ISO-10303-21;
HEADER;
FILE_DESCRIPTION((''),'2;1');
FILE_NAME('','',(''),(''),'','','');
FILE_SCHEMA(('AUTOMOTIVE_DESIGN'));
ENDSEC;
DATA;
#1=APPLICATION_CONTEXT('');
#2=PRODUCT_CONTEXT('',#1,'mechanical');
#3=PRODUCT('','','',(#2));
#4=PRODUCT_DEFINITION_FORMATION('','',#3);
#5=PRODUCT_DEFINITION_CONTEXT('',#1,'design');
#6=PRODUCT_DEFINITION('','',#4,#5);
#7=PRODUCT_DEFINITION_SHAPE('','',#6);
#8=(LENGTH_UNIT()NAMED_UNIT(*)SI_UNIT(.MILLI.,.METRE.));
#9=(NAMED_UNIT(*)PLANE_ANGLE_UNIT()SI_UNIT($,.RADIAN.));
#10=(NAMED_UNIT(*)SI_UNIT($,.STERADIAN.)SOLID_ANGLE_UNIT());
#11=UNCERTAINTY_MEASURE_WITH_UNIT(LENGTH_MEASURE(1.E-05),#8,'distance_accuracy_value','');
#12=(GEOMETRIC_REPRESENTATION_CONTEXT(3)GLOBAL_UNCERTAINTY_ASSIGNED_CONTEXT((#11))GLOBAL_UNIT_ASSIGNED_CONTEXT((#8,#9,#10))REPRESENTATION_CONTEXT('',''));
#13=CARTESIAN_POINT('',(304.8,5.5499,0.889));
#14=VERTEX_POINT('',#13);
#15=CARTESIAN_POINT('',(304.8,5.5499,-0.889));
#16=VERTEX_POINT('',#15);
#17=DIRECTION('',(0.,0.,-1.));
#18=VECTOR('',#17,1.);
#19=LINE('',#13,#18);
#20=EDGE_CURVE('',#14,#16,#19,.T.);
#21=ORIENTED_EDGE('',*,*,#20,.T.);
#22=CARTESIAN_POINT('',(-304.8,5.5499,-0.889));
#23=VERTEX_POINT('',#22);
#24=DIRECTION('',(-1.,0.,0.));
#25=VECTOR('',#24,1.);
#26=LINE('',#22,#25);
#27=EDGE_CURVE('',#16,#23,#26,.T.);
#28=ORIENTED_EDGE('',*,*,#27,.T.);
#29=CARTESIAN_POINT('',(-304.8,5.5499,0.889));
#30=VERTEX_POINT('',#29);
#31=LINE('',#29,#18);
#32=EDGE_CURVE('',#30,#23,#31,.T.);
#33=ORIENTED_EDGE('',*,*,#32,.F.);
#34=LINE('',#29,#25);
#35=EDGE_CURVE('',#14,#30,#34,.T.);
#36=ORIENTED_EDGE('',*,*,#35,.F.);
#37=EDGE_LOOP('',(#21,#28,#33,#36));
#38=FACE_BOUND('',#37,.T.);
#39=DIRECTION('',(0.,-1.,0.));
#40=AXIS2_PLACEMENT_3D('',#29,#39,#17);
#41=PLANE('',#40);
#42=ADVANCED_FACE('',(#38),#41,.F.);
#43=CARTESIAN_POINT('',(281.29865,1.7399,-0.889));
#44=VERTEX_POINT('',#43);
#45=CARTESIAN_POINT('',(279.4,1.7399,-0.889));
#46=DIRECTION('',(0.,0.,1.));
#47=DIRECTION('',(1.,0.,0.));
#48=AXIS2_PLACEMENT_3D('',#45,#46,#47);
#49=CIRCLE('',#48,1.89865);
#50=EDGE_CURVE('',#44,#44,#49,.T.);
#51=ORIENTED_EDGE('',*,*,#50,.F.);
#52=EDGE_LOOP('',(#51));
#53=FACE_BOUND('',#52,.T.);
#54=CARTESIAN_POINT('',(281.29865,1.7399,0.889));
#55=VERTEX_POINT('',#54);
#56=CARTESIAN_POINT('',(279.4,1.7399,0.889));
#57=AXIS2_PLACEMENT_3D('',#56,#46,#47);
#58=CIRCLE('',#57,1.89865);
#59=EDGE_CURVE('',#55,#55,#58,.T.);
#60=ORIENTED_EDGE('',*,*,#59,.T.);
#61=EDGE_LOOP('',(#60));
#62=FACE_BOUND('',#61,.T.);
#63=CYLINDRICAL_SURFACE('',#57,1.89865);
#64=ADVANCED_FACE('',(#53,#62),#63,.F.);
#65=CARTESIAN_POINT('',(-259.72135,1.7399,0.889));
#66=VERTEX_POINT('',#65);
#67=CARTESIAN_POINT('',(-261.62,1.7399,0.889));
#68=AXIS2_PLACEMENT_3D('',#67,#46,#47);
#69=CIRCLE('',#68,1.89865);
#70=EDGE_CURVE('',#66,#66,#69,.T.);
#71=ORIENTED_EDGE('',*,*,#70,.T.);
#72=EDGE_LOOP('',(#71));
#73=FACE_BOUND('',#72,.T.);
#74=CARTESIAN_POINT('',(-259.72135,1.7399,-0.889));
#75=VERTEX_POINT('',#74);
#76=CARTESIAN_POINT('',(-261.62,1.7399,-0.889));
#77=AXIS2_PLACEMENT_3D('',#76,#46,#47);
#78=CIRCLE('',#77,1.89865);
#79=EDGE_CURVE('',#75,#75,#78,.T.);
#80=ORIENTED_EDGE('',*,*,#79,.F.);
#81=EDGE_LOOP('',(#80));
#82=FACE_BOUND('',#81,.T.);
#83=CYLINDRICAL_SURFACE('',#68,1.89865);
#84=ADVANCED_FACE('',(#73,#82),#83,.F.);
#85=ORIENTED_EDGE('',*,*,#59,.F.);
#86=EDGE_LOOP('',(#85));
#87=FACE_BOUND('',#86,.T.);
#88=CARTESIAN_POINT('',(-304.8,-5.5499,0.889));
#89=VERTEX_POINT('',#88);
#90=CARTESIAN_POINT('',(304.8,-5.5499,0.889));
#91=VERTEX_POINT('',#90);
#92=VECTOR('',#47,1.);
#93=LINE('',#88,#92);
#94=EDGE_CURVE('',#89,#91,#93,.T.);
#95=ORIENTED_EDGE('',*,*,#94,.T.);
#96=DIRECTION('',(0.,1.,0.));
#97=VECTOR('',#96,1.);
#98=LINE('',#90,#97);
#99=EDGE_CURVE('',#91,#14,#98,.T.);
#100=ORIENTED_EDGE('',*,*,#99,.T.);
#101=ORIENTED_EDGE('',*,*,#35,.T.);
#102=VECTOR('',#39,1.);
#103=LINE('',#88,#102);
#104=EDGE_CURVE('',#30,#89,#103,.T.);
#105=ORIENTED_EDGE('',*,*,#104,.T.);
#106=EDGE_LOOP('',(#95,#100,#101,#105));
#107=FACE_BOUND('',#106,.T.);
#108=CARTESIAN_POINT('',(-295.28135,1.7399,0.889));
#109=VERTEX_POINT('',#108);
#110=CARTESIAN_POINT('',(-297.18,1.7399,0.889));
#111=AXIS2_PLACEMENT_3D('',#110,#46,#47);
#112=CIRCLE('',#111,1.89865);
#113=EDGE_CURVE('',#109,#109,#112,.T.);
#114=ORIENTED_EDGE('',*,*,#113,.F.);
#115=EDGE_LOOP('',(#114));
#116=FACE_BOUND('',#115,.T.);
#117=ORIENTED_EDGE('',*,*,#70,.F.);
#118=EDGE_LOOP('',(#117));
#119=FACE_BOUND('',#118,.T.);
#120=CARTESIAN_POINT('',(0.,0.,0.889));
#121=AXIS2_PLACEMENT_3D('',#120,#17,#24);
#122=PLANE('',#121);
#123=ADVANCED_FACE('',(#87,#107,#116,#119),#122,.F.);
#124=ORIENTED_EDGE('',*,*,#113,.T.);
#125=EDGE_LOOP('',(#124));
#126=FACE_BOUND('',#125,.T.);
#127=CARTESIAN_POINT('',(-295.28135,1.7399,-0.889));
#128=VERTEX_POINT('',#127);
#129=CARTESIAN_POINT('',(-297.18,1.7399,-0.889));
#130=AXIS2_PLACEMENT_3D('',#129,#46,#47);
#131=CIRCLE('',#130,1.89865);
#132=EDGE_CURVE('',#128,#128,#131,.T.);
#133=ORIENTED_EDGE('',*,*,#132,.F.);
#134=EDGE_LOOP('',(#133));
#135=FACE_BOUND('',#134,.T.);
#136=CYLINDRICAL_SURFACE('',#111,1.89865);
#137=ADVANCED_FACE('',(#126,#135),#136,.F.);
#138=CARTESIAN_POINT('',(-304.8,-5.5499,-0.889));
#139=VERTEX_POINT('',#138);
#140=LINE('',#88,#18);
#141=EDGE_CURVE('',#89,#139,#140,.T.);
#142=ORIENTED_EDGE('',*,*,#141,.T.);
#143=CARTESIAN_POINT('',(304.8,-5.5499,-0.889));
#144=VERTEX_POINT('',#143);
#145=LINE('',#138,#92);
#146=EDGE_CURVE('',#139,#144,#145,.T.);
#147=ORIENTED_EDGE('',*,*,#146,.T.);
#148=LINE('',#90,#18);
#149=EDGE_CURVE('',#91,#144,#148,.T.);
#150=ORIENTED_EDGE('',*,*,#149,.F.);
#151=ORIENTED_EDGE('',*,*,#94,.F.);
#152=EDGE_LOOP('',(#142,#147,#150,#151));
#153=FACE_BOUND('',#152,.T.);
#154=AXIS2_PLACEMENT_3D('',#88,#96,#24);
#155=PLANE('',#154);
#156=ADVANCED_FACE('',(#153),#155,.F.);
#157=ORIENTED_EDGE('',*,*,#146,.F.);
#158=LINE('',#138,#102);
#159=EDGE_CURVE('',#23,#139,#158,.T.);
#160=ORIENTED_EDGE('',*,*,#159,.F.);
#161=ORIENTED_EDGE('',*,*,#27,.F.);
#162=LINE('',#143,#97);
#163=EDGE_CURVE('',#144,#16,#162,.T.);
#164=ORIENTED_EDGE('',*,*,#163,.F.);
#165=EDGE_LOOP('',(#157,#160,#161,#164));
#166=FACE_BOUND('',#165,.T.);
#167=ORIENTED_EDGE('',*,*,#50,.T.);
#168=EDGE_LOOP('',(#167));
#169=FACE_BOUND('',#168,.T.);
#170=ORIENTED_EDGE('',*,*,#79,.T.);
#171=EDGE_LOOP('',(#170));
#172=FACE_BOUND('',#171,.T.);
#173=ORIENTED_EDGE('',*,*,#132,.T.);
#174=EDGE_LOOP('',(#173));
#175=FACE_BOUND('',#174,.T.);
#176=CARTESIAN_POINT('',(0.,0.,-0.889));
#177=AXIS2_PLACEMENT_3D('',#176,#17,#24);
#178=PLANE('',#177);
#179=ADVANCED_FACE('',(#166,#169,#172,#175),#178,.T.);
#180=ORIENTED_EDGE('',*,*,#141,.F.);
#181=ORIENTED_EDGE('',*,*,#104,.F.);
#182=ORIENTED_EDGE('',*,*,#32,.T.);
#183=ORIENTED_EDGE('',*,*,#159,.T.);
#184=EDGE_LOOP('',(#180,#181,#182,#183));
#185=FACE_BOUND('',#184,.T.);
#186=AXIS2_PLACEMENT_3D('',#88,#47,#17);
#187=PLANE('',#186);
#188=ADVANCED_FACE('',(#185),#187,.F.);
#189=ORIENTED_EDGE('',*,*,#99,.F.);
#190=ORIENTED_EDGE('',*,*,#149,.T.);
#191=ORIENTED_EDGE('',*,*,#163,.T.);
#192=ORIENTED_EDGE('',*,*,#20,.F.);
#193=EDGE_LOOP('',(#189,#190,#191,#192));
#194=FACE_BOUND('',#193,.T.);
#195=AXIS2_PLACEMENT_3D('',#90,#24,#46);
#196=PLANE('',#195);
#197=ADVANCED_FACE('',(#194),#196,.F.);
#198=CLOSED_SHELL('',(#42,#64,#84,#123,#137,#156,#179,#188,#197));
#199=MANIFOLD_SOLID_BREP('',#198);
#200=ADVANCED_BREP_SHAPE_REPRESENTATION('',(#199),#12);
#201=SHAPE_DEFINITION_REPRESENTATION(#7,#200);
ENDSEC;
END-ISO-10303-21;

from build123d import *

# Parameters (mm, degrees)
SKETCH1_W             = 609.6
SKETCH1_H             = 11.0998
BOSS_EXTRUDE1_DEPTH   = 0.889
F_6_CLEARANCE_HOLE1_D = 3.7973


with BuildPart() as part:
    # Sketch1 → Boss-Extrude1 (new body, symmetric)
    with BuildSketch(Plane.XY):
        Rectangle(SKETCH1_W, SKETCH1_H)
    extrude(amount=BOSS_EXTRUDE1_DEPTH, both=True)

    # #6 Clearance Hole1 (through all)
    with Locations(Plane.XY.offset(0.889)):
        with Locations((-297.18, 1.7399), (-261.62, 1.7399), (279.4, 1.7399)):
            Hole(F_6_CLEARANCE_HOLE1_D / 2)


solid = part.part
